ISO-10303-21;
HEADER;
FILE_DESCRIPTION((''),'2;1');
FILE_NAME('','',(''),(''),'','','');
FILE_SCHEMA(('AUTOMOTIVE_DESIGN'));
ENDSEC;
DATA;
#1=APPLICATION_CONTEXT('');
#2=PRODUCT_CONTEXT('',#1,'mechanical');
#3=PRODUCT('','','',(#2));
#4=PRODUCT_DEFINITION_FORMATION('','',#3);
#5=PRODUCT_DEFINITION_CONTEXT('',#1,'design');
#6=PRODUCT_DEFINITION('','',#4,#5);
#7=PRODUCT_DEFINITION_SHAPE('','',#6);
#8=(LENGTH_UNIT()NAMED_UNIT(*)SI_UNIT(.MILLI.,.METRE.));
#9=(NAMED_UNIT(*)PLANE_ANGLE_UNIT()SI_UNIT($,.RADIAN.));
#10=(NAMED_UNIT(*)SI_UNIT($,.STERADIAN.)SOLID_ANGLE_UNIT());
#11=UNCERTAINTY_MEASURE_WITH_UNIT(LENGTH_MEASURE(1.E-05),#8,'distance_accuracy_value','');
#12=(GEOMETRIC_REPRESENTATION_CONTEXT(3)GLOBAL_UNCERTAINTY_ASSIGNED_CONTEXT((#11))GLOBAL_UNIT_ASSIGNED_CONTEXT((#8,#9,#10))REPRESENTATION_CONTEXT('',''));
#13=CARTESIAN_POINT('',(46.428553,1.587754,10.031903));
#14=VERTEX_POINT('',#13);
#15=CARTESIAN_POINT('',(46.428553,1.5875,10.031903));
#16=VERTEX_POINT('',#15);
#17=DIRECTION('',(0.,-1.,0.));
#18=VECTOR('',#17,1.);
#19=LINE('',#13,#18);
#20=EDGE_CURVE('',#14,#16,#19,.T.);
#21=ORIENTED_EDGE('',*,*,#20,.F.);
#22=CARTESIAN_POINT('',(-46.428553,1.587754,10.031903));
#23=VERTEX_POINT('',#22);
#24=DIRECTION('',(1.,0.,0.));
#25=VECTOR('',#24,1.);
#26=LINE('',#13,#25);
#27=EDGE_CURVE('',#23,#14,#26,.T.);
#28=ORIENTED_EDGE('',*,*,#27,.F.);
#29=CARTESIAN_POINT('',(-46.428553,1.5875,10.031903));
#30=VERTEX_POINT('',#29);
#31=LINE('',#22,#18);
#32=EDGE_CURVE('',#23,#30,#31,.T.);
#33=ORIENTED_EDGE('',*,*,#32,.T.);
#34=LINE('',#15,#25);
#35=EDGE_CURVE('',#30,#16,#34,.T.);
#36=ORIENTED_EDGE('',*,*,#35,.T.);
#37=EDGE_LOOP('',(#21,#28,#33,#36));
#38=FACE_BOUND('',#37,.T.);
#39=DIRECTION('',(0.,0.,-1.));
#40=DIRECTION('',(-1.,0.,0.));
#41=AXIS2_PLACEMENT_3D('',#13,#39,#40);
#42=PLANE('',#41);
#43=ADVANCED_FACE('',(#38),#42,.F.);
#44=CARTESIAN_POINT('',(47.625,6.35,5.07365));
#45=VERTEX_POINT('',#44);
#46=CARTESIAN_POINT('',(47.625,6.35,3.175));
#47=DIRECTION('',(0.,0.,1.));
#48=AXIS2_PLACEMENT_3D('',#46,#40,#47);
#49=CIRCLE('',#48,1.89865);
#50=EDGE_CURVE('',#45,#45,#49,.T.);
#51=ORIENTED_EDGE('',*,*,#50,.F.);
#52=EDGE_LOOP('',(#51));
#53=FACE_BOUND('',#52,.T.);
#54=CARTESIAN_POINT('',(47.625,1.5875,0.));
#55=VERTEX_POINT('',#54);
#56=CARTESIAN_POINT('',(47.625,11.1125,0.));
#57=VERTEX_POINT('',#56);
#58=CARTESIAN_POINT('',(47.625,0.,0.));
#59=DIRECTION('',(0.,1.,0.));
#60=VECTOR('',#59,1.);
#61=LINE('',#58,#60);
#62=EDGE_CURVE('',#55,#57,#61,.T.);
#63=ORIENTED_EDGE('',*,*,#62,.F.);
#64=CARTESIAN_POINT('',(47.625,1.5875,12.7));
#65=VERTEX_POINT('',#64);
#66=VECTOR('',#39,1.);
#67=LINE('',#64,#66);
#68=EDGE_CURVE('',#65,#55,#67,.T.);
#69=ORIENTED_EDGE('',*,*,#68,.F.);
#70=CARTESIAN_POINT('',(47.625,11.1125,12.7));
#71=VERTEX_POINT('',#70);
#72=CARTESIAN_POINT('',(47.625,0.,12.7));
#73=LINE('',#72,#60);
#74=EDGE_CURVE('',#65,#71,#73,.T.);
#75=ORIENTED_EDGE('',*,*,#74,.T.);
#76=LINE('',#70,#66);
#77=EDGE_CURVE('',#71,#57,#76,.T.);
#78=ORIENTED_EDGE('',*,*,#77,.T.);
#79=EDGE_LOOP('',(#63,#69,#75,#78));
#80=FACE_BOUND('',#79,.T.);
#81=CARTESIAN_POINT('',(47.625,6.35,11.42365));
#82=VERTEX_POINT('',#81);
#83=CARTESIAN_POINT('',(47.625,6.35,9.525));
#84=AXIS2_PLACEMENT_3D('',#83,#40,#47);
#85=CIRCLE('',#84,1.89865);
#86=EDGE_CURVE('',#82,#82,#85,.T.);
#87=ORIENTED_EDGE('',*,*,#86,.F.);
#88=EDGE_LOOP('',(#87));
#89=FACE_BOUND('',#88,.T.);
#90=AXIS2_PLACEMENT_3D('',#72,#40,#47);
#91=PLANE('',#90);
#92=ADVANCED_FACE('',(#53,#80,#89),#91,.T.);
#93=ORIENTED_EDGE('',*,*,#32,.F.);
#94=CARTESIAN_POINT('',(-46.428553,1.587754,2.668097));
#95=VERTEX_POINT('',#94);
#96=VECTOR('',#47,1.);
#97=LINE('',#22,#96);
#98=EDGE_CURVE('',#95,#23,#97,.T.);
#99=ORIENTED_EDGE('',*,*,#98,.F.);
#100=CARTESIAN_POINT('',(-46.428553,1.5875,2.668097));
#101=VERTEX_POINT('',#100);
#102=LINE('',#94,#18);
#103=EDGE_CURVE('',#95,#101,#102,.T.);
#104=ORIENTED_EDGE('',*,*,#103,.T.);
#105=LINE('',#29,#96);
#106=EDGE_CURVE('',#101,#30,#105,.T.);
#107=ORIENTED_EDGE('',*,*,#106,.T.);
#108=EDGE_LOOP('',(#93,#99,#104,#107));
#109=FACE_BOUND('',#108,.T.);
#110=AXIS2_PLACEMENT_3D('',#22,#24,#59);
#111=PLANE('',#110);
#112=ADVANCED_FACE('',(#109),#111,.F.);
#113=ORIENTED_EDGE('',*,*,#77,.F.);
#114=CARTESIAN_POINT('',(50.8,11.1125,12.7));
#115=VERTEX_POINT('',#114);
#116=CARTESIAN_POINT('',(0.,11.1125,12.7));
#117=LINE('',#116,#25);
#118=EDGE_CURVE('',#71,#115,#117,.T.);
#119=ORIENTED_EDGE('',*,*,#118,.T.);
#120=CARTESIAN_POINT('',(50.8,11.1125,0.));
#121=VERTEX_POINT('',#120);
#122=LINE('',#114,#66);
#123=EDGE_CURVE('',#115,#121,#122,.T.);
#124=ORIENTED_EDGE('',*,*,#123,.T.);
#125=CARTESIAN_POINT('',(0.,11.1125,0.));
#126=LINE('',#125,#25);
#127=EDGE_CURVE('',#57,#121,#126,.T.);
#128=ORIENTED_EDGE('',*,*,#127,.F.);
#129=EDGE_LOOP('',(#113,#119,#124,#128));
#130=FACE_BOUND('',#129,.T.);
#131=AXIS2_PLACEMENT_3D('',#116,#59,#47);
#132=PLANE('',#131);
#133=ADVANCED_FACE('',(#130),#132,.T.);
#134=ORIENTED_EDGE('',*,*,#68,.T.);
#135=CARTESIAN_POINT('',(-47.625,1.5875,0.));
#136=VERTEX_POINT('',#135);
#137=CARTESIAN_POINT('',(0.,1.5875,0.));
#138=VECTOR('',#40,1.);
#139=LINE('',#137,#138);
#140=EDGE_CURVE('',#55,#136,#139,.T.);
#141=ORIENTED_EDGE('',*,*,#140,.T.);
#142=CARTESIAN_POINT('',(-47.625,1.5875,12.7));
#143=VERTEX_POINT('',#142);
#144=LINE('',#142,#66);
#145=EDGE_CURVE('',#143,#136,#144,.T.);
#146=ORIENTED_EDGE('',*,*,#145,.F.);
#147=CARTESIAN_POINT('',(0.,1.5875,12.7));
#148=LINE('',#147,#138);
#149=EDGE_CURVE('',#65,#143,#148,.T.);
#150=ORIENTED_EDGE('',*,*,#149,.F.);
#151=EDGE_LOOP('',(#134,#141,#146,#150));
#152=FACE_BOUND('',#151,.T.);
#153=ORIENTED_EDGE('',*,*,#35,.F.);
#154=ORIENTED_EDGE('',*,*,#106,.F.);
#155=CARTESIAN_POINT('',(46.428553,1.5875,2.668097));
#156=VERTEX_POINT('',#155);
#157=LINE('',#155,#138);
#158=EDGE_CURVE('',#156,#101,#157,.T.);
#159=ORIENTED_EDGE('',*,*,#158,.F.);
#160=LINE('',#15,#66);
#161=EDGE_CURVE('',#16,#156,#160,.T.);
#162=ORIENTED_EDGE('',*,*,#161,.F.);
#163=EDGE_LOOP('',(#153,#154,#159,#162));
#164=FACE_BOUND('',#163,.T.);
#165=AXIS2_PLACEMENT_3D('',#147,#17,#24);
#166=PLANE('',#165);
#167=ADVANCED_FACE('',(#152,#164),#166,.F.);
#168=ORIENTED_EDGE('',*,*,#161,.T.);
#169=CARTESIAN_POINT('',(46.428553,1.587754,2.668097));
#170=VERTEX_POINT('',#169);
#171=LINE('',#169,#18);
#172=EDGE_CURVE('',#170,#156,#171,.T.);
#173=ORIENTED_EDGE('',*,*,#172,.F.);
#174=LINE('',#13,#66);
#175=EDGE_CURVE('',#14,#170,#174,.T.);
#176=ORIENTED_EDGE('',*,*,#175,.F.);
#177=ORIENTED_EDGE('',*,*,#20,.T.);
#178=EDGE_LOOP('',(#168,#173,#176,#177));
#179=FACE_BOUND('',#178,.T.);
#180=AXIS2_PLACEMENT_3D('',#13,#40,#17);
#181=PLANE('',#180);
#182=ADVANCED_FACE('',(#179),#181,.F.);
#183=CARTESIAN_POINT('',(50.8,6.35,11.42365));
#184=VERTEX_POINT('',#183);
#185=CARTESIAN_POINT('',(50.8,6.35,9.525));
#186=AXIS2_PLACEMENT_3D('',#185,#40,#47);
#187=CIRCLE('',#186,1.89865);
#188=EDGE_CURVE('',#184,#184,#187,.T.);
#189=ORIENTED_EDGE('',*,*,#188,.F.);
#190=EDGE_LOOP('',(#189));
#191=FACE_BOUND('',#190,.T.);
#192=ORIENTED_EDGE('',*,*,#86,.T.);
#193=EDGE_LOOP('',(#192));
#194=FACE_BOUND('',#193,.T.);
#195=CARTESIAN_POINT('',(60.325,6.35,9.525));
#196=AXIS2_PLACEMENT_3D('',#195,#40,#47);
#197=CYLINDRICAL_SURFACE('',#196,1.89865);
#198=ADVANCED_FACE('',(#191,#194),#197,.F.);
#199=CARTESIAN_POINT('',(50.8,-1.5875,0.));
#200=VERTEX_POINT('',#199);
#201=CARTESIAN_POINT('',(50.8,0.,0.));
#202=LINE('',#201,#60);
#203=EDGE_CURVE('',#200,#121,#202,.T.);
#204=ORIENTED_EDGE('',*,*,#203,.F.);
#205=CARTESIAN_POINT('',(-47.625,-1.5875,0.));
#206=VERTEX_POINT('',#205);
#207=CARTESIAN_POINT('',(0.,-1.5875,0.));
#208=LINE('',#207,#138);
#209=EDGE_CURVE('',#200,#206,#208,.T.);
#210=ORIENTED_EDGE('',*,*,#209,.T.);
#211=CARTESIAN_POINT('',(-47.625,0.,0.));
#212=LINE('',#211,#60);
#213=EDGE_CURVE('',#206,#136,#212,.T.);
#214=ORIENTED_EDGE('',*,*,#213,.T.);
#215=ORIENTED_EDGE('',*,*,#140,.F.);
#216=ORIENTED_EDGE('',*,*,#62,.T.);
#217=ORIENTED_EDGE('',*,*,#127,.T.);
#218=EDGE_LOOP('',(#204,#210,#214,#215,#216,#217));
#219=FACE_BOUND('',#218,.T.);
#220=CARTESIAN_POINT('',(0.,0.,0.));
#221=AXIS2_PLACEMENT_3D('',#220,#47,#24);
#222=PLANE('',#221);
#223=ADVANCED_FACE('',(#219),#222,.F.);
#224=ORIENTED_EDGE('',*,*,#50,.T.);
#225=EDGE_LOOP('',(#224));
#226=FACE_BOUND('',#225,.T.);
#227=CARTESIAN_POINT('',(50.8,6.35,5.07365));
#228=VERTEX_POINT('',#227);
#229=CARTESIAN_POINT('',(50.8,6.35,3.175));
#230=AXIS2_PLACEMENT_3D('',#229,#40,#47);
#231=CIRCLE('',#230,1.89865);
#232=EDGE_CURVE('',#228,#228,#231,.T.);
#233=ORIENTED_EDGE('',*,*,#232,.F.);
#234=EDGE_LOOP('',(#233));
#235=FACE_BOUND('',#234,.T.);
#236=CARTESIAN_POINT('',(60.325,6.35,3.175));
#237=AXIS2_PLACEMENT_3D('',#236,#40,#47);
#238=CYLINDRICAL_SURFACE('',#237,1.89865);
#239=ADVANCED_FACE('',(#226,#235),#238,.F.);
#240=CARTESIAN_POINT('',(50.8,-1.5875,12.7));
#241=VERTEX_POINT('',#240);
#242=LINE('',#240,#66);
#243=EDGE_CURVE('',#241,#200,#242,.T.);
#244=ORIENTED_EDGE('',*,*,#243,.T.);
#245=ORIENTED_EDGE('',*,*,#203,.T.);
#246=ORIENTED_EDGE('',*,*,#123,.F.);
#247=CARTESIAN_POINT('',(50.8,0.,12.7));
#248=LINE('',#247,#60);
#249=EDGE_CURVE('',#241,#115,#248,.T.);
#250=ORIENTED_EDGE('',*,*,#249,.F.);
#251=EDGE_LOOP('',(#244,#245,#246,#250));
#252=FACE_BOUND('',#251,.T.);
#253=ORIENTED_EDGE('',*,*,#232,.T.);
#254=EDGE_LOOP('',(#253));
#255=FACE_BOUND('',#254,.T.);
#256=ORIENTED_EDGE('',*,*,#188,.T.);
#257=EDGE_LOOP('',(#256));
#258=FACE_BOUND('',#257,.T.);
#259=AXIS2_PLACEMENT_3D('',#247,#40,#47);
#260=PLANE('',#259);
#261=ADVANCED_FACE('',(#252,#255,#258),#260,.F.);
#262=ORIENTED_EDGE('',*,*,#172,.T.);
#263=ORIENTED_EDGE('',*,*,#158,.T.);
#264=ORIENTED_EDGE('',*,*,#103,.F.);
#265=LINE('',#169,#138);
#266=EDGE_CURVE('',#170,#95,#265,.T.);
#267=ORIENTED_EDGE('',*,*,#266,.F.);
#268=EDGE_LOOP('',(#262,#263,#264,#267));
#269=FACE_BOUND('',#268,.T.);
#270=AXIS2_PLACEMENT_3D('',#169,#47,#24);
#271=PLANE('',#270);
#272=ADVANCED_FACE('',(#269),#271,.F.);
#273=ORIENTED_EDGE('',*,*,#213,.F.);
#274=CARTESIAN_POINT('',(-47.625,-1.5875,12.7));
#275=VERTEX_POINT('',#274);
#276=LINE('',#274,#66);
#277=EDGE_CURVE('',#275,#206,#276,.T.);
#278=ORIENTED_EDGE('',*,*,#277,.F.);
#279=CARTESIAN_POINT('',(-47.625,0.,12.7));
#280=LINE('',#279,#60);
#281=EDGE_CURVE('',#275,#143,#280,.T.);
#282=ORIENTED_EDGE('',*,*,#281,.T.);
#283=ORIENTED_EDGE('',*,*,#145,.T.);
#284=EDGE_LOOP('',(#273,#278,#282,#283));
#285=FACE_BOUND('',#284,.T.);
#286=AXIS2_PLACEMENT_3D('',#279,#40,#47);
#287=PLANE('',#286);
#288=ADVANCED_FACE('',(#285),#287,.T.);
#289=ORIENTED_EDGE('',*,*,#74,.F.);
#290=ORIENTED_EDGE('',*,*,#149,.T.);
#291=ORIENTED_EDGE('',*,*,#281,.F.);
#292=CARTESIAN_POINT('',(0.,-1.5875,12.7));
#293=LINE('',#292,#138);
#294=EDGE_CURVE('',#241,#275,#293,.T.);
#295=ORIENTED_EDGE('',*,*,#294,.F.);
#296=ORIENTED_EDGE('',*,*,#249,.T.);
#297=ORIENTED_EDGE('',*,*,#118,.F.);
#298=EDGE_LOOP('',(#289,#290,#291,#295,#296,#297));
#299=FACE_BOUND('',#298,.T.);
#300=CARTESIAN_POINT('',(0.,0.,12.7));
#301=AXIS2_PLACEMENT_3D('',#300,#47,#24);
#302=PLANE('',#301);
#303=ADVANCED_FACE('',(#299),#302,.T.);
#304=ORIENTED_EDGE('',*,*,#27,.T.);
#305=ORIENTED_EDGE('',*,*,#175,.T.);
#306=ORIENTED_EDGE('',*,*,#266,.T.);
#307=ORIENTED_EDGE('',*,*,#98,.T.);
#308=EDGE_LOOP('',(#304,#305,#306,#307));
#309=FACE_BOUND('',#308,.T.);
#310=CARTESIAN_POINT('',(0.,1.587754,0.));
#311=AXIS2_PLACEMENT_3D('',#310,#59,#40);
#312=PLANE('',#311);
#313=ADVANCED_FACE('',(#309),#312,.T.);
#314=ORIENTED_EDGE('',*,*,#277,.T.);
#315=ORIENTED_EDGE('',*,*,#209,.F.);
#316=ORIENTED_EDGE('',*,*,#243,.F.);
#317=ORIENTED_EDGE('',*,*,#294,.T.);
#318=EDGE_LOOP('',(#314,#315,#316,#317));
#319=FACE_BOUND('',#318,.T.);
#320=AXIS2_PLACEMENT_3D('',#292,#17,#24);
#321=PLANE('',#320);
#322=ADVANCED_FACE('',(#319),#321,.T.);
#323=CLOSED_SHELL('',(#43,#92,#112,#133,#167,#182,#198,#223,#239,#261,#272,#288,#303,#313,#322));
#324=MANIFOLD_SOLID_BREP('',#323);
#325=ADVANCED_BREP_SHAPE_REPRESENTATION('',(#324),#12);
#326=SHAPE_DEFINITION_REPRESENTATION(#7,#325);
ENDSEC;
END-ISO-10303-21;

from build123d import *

# Parameters (mm, degrees)
BOSS_EXTRUDE1_DEPTH = 12.7
SKETCH2_R           = 1.89865
CUT_EXTRUDE1_DEPTH  = 12.7
SKETCH3_W           = 92.857106726
SKETCH3_H           = 7.363806504
BOSS_EXTRUDE2_DEPTH = 0.000254


with BuildPart() as part:
    # Sketch1 → Boss-Extrude1 (new body)
    with BuildSketch(Plane.XY):
        Polygon((-47.625, -1.5875), (50.8, -1.5875), (50.8, 11.1125), (47.625, 11.1125), (47.625, 1.5875), (-47.625, 1.5875), align=None)
    extrude(amount=BOSS_EXTRUDE1_DEPTH)

    # Sketch2 → Cut-Extrude1 (cut)
    with BuildSketch(Plane.ZY.offset(-47.625)):
        with Locations((3.175, 6.35)):
            Circle(SKETCH2_R)
        with Locations((9.525, 6.35)):
            Circle(SKETCH2_R)
    extrude(amount=-CUT_EXTRUDE1_DEPTH, mode=Mode.SUBTRACT)

    # Sketch3 → Boss-Extrude2 (add)
    with BuildSketch(Plane(origin=(0, 1.5875, 0), x_dir=(1, 0, 0), z_dir=(0, 1, 0))):
        with Locations((0, -6.35)):
            Rectangle(SKETCH3_W, SKETCH3_H)
    extrude(amount=BOSS_EXTRUDE2_DEPTH)


solid = part.part
